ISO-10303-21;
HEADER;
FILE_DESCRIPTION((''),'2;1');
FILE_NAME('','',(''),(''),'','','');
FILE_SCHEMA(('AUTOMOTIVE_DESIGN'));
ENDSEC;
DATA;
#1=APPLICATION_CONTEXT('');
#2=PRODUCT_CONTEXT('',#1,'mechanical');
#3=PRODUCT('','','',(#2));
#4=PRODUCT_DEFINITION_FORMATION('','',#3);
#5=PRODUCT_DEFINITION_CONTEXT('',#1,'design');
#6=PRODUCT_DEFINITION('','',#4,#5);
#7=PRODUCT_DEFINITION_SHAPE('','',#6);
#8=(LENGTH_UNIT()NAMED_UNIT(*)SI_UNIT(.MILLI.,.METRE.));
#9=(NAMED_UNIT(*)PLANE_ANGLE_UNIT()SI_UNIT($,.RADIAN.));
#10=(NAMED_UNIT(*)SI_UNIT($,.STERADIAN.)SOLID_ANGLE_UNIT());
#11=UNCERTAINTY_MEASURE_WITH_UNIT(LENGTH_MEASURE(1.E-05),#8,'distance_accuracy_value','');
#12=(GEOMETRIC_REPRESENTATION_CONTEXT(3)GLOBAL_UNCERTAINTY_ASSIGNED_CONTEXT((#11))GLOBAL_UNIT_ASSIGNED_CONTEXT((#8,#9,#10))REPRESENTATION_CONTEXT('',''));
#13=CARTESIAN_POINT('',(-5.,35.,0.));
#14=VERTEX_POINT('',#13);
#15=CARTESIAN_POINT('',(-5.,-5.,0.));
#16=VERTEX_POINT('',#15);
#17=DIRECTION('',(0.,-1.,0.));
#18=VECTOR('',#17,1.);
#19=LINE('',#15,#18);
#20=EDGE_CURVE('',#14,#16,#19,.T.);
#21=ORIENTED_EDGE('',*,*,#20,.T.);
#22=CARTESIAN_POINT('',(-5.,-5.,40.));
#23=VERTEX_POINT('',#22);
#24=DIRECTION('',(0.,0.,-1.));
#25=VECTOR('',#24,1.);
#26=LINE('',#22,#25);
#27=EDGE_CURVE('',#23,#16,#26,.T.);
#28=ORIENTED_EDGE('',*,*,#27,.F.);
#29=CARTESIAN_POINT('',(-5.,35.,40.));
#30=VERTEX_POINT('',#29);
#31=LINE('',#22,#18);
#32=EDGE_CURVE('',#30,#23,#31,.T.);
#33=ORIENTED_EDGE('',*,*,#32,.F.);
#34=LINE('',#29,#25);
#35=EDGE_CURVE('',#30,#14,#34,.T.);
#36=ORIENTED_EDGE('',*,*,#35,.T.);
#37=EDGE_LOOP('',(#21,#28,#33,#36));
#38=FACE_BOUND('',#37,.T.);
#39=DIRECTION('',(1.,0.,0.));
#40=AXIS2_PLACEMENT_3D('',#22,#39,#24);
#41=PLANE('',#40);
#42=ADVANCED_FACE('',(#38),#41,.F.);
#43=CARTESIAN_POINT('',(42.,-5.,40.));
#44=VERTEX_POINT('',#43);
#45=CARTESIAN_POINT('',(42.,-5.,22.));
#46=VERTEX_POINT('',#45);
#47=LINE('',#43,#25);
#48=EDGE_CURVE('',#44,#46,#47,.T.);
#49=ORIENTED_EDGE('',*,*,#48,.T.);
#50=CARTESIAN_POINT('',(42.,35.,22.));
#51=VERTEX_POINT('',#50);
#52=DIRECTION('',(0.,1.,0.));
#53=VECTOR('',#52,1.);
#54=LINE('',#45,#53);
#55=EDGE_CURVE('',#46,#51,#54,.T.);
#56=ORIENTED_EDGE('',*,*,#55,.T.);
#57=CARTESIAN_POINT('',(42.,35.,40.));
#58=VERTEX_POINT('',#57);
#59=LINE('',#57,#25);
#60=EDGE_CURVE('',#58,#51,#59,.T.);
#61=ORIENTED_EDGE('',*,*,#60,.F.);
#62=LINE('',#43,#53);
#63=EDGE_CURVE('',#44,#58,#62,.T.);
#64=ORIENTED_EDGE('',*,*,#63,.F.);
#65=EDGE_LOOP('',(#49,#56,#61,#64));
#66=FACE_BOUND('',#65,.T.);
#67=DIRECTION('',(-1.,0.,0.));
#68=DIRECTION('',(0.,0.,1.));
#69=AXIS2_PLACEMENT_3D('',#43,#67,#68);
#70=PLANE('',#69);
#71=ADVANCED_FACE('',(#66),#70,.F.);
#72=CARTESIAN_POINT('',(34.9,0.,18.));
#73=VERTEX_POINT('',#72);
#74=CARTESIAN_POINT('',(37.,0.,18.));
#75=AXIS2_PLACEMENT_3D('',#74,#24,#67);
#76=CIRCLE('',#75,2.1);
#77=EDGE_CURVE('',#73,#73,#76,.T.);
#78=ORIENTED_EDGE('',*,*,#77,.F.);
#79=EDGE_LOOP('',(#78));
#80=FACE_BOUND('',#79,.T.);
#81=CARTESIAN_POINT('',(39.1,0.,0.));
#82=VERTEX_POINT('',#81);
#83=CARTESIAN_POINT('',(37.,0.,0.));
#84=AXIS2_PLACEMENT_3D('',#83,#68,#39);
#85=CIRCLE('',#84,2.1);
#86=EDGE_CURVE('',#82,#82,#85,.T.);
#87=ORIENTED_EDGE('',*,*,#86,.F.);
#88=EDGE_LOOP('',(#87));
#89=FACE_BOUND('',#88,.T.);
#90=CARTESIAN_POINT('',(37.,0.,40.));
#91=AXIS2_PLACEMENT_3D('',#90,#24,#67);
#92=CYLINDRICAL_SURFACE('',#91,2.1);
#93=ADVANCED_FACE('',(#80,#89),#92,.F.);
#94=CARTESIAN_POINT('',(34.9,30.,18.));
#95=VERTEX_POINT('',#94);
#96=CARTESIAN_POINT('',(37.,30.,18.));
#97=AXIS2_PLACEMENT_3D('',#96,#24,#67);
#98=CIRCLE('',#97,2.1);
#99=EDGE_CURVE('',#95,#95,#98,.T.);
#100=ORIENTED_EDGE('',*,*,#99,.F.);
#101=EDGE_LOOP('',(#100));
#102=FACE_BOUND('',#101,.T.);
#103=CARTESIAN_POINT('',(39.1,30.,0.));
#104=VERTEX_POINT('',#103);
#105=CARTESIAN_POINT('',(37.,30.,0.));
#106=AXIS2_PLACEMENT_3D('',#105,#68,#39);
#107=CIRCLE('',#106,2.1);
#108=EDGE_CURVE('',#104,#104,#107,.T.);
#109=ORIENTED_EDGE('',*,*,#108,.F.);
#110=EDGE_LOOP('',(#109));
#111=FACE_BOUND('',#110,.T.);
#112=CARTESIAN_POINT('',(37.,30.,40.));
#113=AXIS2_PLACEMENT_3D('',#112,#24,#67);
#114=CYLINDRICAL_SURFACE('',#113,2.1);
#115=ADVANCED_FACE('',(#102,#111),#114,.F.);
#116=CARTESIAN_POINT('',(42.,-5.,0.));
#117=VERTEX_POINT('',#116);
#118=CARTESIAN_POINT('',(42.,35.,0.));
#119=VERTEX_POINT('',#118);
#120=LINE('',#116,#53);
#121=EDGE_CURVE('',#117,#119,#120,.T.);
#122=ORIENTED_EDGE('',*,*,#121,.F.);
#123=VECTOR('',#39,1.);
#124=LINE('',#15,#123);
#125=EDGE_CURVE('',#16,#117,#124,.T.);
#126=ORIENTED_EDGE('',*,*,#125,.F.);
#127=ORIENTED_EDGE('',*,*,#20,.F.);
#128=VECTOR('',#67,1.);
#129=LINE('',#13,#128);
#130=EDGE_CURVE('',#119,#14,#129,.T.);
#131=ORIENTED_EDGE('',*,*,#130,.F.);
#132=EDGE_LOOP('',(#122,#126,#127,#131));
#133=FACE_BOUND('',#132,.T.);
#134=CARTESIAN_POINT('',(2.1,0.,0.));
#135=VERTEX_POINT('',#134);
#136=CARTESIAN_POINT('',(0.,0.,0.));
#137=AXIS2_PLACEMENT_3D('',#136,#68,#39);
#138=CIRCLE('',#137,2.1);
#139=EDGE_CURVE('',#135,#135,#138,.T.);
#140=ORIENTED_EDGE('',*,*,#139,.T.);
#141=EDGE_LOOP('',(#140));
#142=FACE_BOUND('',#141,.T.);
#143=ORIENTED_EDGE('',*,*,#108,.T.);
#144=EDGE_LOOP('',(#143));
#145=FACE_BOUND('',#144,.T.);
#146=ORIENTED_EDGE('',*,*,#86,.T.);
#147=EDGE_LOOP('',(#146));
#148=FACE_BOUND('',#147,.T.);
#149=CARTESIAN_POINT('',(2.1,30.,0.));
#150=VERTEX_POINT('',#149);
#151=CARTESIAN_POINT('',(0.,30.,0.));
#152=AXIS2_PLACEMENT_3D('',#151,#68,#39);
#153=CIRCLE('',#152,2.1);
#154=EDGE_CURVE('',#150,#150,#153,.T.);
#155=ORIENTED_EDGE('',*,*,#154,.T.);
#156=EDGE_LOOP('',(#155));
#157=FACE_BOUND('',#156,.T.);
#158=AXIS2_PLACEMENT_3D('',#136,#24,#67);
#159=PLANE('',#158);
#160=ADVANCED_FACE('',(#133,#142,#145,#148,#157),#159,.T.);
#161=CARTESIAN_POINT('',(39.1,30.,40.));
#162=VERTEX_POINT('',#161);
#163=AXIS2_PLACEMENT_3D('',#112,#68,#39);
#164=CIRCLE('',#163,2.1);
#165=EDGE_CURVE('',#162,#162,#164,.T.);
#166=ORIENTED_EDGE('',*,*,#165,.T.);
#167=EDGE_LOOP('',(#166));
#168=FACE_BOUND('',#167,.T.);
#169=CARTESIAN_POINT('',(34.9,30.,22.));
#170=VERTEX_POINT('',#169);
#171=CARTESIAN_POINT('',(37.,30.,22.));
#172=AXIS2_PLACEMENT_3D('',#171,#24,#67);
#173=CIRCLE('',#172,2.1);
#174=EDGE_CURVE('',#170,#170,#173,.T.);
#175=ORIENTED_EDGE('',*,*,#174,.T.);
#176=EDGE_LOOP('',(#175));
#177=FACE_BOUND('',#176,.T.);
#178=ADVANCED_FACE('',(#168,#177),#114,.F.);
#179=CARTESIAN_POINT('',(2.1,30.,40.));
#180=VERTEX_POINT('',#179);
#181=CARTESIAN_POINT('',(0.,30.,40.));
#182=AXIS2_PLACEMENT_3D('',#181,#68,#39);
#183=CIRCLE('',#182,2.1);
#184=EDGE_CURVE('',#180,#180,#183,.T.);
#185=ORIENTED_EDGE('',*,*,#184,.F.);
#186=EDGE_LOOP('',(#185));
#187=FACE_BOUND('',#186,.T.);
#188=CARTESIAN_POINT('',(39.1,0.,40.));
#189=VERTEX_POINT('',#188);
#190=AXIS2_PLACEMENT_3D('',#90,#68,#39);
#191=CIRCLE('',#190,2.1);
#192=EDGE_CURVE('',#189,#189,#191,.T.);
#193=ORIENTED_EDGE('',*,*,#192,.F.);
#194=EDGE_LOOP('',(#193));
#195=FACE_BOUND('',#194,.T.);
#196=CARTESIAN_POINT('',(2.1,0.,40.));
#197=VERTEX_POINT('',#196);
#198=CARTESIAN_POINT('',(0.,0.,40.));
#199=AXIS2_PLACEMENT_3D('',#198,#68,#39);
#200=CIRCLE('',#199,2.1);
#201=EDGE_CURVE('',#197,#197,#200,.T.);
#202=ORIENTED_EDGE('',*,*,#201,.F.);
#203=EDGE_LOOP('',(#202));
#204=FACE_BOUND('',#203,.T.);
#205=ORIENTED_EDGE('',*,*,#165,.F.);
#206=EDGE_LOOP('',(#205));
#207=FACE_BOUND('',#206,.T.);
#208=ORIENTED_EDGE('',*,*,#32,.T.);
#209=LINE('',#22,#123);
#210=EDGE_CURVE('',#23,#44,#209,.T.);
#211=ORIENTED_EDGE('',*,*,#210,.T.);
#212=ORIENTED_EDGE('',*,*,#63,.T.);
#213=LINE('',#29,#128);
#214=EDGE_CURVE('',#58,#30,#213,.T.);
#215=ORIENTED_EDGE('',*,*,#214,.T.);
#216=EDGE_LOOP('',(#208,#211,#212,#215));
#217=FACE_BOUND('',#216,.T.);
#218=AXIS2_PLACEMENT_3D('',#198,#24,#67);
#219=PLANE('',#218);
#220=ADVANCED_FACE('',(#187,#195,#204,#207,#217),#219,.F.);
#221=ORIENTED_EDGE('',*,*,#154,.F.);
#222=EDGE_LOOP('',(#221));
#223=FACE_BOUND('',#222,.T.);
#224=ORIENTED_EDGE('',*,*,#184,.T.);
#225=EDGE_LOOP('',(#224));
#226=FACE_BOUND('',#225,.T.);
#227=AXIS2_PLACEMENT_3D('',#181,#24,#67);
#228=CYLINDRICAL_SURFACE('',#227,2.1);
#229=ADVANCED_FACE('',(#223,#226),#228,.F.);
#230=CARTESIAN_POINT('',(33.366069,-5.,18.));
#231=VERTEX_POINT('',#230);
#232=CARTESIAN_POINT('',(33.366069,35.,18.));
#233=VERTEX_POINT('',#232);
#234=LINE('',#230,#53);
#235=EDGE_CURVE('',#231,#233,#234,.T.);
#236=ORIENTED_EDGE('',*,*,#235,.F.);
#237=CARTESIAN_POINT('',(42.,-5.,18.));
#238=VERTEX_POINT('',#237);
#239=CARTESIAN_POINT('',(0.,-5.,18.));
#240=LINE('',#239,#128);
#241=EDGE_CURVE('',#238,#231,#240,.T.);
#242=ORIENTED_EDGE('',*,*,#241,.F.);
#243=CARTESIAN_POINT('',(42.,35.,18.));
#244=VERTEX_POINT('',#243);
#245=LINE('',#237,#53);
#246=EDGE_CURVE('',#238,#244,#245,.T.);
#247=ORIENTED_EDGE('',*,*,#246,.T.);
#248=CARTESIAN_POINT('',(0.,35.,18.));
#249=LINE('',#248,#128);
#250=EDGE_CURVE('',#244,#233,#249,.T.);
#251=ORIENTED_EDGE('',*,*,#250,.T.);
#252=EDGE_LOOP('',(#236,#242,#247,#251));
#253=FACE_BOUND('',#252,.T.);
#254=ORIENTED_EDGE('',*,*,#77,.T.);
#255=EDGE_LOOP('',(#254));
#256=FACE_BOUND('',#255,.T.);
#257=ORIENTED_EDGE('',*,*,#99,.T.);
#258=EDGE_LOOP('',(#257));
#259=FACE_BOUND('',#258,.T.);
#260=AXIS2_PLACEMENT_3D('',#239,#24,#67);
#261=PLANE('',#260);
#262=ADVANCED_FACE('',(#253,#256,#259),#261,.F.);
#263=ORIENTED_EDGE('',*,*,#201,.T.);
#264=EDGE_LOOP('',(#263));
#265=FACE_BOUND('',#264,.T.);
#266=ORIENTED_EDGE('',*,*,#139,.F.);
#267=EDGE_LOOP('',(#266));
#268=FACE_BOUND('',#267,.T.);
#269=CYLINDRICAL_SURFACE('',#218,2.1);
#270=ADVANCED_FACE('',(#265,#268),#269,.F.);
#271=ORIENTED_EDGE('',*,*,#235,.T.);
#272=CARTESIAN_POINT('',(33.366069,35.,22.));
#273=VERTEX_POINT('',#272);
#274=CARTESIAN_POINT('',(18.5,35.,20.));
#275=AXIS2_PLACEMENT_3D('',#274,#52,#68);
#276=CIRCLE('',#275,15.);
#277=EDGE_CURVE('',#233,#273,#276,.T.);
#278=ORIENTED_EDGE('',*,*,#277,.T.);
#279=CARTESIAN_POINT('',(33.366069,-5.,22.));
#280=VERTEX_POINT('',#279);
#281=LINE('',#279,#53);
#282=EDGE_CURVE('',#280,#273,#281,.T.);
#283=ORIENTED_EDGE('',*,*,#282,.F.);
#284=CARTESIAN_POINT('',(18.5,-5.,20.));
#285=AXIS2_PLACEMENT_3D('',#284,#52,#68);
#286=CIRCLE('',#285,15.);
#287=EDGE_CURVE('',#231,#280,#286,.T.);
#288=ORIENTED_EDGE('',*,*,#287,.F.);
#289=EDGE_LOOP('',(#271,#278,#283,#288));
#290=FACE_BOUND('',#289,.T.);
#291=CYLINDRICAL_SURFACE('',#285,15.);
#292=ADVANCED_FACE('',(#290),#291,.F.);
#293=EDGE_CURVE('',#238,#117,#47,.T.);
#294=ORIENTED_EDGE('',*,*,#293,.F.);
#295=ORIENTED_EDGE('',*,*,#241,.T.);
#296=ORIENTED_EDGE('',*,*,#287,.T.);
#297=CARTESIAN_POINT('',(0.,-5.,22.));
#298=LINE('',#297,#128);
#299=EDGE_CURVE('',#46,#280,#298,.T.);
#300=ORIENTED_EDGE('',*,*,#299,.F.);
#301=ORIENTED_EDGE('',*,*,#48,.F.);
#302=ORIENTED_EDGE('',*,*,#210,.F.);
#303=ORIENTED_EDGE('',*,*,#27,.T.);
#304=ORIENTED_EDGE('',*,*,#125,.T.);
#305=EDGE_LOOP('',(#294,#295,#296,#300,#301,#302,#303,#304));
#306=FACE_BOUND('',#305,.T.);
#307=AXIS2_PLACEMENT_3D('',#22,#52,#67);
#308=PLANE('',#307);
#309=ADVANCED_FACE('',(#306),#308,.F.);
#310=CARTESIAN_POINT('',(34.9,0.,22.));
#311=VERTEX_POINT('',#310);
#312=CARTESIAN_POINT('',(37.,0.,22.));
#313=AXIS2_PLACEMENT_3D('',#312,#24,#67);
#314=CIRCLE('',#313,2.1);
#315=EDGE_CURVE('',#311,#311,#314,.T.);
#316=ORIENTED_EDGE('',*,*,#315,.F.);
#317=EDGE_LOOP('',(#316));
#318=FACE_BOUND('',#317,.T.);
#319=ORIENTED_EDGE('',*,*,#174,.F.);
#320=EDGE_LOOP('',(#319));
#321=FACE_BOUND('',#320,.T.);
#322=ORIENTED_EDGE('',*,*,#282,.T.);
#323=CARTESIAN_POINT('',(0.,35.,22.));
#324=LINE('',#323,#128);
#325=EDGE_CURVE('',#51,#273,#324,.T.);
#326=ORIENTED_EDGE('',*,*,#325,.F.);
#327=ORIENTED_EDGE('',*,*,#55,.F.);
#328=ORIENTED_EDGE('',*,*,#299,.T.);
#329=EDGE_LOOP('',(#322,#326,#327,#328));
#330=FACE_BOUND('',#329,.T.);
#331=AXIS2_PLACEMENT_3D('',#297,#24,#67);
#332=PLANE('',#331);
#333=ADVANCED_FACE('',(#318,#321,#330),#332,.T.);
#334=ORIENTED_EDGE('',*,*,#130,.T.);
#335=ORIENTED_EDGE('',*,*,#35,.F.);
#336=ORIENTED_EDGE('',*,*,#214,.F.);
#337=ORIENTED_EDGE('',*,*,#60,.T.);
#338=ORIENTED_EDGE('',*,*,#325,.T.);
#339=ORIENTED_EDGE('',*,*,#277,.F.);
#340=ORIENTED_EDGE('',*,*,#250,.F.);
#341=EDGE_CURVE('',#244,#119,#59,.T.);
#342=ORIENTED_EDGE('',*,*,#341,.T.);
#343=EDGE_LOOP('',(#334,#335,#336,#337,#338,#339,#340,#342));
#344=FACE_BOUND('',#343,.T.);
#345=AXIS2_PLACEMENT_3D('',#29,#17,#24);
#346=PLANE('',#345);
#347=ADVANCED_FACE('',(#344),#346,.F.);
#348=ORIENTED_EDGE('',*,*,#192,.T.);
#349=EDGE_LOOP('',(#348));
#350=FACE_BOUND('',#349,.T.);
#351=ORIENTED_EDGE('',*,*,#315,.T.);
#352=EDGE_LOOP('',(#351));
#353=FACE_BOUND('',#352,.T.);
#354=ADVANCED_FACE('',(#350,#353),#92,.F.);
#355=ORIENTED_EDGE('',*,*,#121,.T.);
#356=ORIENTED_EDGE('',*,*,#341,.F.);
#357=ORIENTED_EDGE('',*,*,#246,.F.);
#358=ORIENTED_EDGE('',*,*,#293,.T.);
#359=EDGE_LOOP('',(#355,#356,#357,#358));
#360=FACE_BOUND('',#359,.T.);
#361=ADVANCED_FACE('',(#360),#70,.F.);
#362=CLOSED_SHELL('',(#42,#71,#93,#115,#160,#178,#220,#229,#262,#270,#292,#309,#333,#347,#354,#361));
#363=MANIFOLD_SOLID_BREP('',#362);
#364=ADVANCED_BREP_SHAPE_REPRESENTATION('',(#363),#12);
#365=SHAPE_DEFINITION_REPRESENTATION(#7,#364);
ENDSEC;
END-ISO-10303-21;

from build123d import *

# Parameters (mm, degrees)
SKETCH1_W           = 47
SKETCH1_H           = 40
SKETCH1_R           = 2.1
BOSS_EXTRUDE1_DEPTH = 40
SKETCH6_OUTSIDE_W   = 63.71
SKETCH6_OUTSIDE_H   = 56.71
SKETCH6_OUTSIDE_W_2 = 47
SKETCH6_OUTSIDE_H_2 = 40
SKETCH6_OUTSIDE_R   = 15
CUT_EXTRUDE5_DEPTH  = 71.455659815
CUT_EXTRUDE6_DEPTH  = 71.455659815


with BuildPart() as part:
    # Sketch1 → Boss-Extrude1 (new body)
    with BuildSketch(Plane.XY):
        with Locations((18.5, 15)):
            Rectangle(SKETCH1_W, SKETCH1_H)
        Circle(SKETCH1_R, mode=Mode.SUBTRACT)
        with Locations((37, 0)):
            Circle(SKETCH1_R, mode=Mode.SUBTRACT)
        with Locations((0, 30)):
            Circle(SKETCH1_R, mode=Mode.SUBTRACT)
        with Locations((37, 30)):
            Circle(SKETCH1_R, mode=Mode.SUBTRACT)
    extrude(amount=BOSS_EXTRUDE1_DEPTH)

    # Sketch6 outside → Cut-Extrude5 (cut, through all)
    # profile 1 of 2: a face of its own
    with BuildSketch(Plane(origin=(0, 35, 0), x_dir=(1, 0, 0), z_dir=(0, 1, 0))):
        with Locations((18.5, -20)):
            Rectangle(SKETCH6_OUTSIDE_W, SKETCH6_OUTSIDE_H)
        with Locations((18.5, -20)):
            Rectangle(SKETCH6_OUTSIDE_W_2, SKETCH6_OUTSIDE_H_2, mode=Mode.SUBTRACT)
    # profile 2 of 2: a face of its own
    with BuildSketch(Plane(origin=(0, 35, 0), x_dir=(1, 0, 0), z_dir=(0, 1, 0))):
        with Locations(Location((18.5, -20, 0), (0, 0, 270))):
            Circle(SKETCH6_OUTSIDE_R)
    extrude(amount=-CUT_EXTRUDE5_DEPTH, mode=Mode.SUBTRACT)

    # Sketch7 → Cut-Extrude6 (cut, through all)
    with BuildSketch(Plane(origin=(0, 35, 0), x_dir=(1, 0, 0), z_dir=(0, 1, 0))):
        with BuildLine():
            Line((33.5, -20), (42, -20))
            Line((42, -20), (42, -18))
            Line((42, -18), (33.366068747, -18))
            ThreePointArc((33.366068747, -18), (33.466479733, -18.997760311), (33.5, -20))
        make_face()
        with BuildLine():
            Line((42, -22), (42, -20))
            Line((42, -20), (33.5, -20))
            ThreePointArc((33.5, -20), (33.466479733, -21.002239689), (33.366068747, -22))
            Line((33.366068747, -22), (42, -22))
        make_face()
    extrude(amount=-CUT_EXTRUDE6_DEPTH, mode=Mode.SUBTRACT)


solid = part.part
